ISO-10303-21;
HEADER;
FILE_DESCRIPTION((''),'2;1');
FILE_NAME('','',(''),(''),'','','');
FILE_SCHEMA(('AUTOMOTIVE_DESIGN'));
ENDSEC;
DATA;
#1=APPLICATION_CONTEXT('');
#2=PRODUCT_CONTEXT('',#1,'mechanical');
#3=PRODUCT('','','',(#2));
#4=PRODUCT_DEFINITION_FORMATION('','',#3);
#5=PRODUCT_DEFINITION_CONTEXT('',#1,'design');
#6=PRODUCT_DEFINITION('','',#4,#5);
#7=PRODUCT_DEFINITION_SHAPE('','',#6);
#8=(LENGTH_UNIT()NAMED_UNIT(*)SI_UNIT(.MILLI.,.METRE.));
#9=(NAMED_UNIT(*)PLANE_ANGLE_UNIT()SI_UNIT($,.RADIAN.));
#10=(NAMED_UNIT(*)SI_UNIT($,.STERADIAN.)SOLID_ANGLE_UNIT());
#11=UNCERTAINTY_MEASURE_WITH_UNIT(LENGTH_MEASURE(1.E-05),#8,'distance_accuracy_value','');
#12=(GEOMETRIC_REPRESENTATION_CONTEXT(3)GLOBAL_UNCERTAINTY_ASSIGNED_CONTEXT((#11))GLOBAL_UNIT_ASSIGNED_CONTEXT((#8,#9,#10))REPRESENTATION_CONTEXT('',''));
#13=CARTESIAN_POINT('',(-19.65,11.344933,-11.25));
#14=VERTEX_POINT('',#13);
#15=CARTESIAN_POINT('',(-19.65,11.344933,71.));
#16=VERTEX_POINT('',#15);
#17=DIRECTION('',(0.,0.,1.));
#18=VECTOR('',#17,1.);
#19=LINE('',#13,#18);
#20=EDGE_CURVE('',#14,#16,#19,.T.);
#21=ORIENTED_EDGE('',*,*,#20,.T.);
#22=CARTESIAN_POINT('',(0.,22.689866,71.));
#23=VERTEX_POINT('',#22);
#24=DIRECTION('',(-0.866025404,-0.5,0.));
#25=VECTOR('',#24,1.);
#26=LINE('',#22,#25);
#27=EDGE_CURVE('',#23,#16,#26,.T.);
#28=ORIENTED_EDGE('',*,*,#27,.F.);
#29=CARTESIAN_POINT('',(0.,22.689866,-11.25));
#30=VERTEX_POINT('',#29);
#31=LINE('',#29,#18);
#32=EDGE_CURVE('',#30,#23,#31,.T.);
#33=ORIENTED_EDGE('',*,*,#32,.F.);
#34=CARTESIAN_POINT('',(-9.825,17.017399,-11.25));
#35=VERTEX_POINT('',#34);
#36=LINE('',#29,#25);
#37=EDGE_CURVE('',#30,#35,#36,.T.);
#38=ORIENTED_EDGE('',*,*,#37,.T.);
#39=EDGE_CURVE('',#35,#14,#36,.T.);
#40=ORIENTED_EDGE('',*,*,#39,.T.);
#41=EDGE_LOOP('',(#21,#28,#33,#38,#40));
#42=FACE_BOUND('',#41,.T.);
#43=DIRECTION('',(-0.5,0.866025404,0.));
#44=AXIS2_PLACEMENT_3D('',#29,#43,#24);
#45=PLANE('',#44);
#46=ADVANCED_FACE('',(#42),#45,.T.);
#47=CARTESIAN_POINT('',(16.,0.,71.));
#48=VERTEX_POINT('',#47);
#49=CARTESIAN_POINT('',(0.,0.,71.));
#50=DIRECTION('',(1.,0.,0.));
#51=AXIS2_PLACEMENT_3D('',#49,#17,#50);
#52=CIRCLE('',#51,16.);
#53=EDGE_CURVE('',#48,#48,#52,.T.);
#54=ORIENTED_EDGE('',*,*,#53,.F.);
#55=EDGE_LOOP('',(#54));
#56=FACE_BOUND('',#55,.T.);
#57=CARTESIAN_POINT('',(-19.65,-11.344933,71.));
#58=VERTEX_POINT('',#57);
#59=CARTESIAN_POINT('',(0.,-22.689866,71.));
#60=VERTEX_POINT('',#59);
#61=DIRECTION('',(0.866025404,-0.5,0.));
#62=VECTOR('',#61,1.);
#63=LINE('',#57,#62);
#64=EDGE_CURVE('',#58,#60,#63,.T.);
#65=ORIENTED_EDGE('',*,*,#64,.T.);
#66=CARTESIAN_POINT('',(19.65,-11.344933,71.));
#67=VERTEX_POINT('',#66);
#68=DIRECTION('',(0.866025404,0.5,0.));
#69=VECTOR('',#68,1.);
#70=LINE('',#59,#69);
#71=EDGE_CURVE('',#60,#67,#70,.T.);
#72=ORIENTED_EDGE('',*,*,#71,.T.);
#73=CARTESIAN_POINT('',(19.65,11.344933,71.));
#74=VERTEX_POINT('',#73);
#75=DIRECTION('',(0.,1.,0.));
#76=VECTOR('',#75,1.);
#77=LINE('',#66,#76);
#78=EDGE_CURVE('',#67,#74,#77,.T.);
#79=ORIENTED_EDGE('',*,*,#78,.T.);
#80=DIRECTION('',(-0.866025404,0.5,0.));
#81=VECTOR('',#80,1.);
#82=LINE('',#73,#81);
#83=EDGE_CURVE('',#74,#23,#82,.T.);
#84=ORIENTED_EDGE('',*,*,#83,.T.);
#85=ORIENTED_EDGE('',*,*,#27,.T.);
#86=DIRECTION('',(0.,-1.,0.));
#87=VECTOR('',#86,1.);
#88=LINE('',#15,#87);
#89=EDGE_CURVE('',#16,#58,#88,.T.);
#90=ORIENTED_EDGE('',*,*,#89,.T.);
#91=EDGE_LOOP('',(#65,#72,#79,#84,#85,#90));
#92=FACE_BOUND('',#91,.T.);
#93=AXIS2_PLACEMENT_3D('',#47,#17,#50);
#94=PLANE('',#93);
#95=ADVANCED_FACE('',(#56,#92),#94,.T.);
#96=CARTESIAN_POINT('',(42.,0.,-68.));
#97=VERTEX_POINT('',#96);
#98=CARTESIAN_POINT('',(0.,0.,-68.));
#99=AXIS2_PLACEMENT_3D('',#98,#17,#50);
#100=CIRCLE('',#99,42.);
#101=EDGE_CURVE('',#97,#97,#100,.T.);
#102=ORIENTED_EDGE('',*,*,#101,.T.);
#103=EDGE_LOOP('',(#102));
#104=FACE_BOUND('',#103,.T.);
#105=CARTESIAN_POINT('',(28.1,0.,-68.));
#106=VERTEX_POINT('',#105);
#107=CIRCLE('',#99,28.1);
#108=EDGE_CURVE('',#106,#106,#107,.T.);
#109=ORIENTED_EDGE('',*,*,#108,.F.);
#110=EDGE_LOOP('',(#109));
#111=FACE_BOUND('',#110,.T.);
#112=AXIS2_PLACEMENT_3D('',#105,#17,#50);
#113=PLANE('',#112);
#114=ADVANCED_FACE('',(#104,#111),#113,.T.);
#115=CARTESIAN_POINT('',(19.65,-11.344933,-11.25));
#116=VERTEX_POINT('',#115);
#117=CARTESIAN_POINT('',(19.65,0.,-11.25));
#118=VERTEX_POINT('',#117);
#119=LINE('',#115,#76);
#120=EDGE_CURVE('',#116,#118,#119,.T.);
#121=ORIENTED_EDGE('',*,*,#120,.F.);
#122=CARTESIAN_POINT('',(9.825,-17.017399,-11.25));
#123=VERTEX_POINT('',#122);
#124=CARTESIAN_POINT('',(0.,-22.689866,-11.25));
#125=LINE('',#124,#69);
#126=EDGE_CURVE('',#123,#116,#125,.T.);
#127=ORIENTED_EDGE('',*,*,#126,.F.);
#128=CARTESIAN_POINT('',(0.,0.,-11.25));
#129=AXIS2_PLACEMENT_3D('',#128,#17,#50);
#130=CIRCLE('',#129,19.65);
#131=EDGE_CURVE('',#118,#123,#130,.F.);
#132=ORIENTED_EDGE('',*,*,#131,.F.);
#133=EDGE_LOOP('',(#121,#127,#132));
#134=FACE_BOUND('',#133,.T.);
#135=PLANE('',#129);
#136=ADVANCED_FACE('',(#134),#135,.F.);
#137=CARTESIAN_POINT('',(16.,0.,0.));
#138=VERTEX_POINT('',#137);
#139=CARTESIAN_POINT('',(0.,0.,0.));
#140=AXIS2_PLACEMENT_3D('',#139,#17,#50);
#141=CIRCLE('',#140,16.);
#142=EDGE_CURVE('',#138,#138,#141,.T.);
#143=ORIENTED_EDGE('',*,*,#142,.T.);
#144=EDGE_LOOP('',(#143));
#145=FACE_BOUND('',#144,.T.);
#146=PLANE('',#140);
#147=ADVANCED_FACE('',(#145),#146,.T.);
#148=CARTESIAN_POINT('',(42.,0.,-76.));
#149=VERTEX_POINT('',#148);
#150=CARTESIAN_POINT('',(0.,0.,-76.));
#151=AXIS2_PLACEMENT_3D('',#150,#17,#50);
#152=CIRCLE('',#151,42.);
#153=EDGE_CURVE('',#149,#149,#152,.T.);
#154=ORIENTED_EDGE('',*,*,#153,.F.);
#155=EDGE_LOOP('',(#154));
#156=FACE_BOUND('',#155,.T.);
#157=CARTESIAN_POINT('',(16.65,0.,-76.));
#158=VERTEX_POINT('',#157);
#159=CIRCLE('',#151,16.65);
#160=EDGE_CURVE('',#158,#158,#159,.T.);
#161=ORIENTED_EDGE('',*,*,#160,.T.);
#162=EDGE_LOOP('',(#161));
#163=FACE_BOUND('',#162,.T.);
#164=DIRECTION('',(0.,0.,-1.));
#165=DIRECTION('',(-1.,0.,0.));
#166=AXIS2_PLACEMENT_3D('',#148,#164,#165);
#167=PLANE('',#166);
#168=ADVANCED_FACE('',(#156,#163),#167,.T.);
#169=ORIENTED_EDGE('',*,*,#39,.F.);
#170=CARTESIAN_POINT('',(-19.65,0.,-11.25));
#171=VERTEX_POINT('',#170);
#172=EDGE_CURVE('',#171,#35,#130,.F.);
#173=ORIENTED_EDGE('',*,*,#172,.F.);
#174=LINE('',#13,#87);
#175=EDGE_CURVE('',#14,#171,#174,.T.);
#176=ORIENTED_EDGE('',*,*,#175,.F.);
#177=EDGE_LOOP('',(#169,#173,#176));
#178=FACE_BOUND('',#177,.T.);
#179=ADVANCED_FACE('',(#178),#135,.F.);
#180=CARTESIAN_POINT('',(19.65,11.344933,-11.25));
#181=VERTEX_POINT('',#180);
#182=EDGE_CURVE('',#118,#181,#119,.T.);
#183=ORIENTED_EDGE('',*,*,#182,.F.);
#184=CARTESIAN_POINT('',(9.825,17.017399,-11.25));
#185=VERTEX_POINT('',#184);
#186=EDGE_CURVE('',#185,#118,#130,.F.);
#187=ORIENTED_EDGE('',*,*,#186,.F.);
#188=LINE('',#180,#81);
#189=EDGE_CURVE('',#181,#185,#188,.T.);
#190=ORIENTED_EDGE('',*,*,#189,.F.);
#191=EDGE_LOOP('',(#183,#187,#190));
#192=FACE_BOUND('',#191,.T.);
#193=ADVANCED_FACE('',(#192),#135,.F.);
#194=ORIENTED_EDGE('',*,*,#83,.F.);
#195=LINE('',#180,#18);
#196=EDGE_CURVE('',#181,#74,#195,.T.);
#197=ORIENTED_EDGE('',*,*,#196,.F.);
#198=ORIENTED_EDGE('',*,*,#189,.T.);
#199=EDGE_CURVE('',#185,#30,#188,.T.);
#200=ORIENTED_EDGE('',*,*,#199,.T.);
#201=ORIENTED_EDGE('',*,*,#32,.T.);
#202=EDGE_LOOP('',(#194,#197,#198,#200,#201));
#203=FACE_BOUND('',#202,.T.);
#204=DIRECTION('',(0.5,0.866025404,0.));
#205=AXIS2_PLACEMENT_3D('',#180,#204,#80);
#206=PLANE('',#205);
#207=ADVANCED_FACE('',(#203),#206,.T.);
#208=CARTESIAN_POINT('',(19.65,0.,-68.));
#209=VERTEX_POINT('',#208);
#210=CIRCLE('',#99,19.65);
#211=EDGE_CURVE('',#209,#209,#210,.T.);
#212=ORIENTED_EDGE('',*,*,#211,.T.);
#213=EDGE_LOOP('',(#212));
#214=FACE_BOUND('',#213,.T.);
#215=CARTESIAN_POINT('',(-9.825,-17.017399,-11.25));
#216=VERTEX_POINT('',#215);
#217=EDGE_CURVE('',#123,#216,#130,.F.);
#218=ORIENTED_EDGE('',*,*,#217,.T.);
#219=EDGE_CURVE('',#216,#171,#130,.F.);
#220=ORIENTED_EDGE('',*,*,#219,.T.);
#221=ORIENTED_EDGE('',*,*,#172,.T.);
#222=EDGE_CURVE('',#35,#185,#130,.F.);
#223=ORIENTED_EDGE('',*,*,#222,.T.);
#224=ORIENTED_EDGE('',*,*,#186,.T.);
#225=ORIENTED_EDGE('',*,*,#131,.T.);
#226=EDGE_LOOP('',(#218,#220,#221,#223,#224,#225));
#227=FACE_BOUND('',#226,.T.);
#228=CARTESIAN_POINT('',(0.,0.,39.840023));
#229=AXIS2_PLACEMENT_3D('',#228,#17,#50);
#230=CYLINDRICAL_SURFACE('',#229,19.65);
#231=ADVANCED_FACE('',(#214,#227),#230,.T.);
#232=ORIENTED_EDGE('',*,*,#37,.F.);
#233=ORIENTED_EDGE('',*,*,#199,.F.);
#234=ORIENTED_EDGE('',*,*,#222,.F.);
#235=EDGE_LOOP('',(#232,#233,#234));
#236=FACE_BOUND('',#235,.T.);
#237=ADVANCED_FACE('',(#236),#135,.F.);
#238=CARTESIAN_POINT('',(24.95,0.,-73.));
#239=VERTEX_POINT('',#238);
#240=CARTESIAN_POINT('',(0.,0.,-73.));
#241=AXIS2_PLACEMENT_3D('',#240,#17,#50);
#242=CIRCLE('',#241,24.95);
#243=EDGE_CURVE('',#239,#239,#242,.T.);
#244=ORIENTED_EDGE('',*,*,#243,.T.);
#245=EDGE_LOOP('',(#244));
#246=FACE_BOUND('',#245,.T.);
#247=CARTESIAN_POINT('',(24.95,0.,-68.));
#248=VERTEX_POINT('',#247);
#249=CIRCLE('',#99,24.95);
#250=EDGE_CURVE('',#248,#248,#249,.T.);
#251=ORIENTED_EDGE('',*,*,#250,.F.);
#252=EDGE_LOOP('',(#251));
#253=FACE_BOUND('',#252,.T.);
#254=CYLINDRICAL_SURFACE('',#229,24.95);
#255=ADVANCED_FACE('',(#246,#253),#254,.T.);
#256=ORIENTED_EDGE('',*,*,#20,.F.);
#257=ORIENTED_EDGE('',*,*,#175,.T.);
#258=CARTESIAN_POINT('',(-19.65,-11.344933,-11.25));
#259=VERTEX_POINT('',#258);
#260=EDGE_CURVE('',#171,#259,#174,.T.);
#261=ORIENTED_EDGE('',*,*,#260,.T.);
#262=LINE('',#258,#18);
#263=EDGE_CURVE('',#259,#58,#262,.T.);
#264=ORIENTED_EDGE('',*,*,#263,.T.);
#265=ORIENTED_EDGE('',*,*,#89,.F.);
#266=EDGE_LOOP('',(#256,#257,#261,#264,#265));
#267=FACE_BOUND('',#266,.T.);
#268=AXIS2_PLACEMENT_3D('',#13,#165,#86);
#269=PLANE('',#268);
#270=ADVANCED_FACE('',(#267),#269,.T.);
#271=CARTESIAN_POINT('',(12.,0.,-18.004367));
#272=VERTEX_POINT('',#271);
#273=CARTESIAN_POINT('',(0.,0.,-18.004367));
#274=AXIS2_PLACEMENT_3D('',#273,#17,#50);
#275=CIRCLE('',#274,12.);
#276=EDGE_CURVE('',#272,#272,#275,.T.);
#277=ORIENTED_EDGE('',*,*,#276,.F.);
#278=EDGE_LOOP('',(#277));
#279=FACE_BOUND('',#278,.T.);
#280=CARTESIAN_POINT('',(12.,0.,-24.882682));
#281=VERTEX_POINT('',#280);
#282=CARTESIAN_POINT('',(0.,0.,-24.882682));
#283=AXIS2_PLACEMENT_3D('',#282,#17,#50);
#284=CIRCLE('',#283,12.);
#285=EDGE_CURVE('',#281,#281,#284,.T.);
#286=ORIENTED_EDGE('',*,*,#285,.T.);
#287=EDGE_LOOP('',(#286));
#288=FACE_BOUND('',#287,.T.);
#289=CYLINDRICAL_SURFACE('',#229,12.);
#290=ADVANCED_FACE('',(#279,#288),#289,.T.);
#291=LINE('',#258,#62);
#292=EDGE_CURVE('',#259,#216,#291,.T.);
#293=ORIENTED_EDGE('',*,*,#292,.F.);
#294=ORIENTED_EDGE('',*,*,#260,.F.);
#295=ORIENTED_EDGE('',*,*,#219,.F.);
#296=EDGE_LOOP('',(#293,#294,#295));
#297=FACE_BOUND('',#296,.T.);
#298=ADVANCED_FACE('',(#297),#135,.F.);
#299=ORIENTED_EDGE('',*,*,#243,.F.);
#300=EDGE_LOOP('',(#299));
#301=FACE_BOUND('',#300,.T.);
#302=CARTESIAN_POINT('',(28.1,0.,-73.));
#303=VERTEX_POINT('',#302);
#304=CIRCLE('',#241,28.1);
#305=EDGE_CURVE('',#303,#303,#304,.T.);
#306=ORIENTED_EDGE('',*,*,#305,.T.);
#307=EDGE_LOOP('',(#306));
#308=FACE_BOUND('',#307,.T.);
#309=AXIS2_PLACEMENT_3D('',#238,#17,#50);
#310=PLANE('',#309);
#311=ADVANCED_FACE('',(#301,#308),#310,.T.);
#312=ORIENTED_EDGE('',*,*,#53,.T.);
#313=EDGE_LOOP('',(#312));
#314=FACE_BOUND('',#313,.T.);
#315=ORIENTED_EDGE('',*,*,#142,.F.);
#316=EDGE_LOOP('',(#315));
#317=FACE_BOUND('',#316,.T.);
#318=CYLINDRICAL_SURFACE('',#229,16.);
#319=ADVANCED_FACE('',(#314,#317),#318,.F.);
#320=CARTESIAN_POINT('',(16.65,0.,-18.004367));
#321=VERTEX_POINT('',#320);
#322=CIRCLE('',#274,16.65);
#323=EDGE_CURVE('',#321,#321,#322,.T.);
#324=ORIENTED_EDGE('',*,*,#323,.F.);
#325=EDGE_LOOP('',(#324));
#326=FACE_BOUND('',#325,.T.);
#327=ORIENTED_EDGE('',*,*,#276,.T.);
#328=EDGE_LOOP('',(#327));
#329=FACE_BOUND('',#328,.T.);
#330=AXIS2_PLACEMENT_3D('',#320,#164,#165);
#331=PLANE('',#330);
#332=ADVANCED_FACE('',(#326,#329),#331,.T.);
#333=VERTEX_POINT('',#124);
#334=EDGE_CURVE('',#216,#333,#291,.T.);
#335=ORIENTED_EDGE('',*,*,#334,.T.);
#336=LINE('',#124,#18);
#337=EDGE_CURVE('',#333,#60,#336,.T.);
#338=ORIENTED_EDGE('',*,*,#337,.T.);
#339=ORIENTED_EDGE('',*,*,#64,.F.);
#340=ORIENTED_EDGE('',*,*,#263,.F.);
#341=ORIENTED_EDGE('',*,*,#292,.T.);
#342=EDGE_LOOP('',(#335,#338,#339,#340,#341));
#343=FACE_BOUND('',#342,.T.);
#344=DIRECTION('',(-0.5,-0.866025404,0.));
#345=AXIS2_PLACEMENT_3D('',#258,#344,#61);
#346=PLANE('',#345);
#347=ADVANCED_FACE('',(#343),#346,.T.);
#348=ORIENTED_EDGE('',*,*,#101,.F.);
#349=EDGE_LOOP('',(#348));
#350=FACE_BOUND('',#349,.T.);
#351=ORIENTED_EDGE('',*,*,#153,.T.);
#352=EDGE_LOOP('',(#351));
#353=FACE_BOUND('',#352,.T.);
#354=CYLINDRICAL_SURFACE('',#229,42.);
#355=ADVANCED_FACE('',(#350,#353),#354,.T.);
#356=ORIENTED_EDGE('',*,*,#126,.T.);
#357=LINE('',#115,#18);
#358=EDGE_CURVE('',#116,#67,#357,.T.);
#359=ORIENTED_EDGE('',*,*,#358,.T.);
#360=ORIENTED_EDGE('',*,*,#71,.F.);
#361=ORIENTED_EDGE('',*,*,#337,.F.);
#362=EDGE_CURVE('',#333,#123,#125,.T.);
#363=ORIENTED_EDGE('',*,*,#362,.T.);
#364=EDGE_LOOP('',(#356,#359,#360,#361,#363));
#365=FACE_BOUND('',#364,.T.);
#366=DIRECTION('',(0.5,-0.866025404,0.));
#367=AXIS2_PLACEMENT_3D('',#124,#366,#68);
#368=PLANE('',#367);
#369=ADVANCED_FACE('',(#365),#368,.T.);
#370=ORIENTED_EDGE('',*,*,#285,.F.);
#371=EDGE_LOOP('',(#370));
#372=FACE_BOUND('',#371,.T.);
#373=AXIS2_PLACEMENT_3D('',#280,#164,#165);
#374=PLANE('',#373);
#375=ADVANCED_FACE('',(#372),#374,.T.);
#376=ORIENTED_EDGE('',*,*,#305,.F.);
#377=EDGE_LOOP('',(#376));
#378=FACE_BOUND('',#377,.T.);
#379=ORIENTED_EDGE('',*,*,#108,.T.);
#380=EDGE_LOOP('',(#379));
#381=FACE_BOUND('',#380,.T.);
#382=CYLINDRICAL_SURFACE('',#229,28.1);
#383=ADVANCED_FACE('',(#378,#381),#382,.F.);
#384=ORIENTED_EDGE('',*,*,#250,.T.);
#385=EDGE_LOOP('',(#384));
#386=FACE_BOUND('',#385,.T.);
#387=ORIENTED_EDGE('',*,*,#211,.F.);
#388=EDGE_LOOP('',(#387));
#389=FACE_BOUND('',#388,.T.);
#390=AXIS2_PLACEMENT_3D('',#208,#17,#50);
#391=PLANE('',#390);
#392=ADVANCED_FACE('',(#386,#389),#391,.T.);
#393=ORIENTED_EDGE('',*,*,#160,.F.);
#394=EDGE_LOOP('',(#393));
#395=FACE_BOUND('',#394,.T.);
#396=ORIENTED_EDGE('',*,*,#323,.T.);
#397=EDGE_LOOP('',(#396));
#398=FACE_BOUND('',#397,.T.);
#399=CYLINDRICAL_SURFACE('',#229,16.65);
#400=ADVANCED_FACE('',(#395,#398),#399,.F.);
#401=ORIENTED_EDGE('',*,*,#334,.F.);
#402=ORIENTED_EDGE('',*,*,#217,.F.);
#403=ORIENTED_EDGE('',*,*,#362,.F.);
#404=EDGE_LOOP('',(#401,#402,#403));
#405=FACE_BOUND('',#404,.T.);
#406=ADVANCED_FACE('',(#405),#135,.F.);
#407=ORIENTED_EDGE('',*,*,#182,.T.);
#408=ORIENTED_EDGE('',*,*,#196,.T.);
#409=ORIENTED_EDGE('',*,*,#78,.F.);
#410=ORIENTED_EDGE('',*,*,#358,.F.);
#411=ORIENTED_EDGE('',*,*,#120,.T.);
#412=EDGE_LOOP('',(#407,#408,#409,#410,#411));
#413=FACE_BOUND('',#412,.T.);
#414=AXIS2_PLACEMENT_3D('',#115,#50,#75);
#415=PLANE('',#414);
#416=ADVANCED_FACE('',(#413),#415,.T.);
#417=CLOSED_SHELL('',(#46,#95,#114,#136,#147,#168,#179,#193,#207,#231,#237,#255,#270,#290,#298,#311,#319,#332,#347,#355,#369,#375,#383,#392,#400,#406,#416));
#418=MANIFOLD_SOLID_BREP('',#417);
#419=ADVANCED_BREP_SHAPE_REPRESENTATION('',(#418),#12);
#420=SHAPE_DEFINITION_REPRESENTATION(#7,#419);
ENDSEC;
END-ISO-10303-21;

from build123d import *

# Parameters (mm, degrees)
SKETCH2_R           = 16
BOSS_EXTRUDE1_DEPTH = 82.25


with BuildPart() as part:
    # Sketch1 → Revolve1 (revolve)
    with BuildSketch(Plane(origin=(0, 0, 0), x_dir=(1, 0, 0), z_dir=(0, 1, 0))):
        Polygon((0, 0), (16, 0), (16, -71), (19.65, -71), (19.65, 68), (24.95, 68), (24.95, 73), (28.1, 73), (28.1, 68), (42, 68), (42, 76), (16.65, 76), (16.65, 18.004366875), (12, 18.004366875), (12, 24.882682167), (0, 24.882682167), align=None)
    revolve(axis=Axis((0, 0, 39.840023079), (0, 0, -1)))

    # Sketch2 → Boss-Extrude1 (add)
    with BuildSketch(Plane.XY.offset(71)):
        Polygon((0, 22.689865579), (-19.65, 11.34493279), (-19.65, -11.34493279), (0, -22.689865579), (19.65, -11.34493279), (19.65, 11.34493279), align=None)
        Circle(SKETCH2_R, mode=Mode.SUBTRACT)
    extrude(amount=-BOSS_EXTRUDE1_DEPTH)


solid = part.part
